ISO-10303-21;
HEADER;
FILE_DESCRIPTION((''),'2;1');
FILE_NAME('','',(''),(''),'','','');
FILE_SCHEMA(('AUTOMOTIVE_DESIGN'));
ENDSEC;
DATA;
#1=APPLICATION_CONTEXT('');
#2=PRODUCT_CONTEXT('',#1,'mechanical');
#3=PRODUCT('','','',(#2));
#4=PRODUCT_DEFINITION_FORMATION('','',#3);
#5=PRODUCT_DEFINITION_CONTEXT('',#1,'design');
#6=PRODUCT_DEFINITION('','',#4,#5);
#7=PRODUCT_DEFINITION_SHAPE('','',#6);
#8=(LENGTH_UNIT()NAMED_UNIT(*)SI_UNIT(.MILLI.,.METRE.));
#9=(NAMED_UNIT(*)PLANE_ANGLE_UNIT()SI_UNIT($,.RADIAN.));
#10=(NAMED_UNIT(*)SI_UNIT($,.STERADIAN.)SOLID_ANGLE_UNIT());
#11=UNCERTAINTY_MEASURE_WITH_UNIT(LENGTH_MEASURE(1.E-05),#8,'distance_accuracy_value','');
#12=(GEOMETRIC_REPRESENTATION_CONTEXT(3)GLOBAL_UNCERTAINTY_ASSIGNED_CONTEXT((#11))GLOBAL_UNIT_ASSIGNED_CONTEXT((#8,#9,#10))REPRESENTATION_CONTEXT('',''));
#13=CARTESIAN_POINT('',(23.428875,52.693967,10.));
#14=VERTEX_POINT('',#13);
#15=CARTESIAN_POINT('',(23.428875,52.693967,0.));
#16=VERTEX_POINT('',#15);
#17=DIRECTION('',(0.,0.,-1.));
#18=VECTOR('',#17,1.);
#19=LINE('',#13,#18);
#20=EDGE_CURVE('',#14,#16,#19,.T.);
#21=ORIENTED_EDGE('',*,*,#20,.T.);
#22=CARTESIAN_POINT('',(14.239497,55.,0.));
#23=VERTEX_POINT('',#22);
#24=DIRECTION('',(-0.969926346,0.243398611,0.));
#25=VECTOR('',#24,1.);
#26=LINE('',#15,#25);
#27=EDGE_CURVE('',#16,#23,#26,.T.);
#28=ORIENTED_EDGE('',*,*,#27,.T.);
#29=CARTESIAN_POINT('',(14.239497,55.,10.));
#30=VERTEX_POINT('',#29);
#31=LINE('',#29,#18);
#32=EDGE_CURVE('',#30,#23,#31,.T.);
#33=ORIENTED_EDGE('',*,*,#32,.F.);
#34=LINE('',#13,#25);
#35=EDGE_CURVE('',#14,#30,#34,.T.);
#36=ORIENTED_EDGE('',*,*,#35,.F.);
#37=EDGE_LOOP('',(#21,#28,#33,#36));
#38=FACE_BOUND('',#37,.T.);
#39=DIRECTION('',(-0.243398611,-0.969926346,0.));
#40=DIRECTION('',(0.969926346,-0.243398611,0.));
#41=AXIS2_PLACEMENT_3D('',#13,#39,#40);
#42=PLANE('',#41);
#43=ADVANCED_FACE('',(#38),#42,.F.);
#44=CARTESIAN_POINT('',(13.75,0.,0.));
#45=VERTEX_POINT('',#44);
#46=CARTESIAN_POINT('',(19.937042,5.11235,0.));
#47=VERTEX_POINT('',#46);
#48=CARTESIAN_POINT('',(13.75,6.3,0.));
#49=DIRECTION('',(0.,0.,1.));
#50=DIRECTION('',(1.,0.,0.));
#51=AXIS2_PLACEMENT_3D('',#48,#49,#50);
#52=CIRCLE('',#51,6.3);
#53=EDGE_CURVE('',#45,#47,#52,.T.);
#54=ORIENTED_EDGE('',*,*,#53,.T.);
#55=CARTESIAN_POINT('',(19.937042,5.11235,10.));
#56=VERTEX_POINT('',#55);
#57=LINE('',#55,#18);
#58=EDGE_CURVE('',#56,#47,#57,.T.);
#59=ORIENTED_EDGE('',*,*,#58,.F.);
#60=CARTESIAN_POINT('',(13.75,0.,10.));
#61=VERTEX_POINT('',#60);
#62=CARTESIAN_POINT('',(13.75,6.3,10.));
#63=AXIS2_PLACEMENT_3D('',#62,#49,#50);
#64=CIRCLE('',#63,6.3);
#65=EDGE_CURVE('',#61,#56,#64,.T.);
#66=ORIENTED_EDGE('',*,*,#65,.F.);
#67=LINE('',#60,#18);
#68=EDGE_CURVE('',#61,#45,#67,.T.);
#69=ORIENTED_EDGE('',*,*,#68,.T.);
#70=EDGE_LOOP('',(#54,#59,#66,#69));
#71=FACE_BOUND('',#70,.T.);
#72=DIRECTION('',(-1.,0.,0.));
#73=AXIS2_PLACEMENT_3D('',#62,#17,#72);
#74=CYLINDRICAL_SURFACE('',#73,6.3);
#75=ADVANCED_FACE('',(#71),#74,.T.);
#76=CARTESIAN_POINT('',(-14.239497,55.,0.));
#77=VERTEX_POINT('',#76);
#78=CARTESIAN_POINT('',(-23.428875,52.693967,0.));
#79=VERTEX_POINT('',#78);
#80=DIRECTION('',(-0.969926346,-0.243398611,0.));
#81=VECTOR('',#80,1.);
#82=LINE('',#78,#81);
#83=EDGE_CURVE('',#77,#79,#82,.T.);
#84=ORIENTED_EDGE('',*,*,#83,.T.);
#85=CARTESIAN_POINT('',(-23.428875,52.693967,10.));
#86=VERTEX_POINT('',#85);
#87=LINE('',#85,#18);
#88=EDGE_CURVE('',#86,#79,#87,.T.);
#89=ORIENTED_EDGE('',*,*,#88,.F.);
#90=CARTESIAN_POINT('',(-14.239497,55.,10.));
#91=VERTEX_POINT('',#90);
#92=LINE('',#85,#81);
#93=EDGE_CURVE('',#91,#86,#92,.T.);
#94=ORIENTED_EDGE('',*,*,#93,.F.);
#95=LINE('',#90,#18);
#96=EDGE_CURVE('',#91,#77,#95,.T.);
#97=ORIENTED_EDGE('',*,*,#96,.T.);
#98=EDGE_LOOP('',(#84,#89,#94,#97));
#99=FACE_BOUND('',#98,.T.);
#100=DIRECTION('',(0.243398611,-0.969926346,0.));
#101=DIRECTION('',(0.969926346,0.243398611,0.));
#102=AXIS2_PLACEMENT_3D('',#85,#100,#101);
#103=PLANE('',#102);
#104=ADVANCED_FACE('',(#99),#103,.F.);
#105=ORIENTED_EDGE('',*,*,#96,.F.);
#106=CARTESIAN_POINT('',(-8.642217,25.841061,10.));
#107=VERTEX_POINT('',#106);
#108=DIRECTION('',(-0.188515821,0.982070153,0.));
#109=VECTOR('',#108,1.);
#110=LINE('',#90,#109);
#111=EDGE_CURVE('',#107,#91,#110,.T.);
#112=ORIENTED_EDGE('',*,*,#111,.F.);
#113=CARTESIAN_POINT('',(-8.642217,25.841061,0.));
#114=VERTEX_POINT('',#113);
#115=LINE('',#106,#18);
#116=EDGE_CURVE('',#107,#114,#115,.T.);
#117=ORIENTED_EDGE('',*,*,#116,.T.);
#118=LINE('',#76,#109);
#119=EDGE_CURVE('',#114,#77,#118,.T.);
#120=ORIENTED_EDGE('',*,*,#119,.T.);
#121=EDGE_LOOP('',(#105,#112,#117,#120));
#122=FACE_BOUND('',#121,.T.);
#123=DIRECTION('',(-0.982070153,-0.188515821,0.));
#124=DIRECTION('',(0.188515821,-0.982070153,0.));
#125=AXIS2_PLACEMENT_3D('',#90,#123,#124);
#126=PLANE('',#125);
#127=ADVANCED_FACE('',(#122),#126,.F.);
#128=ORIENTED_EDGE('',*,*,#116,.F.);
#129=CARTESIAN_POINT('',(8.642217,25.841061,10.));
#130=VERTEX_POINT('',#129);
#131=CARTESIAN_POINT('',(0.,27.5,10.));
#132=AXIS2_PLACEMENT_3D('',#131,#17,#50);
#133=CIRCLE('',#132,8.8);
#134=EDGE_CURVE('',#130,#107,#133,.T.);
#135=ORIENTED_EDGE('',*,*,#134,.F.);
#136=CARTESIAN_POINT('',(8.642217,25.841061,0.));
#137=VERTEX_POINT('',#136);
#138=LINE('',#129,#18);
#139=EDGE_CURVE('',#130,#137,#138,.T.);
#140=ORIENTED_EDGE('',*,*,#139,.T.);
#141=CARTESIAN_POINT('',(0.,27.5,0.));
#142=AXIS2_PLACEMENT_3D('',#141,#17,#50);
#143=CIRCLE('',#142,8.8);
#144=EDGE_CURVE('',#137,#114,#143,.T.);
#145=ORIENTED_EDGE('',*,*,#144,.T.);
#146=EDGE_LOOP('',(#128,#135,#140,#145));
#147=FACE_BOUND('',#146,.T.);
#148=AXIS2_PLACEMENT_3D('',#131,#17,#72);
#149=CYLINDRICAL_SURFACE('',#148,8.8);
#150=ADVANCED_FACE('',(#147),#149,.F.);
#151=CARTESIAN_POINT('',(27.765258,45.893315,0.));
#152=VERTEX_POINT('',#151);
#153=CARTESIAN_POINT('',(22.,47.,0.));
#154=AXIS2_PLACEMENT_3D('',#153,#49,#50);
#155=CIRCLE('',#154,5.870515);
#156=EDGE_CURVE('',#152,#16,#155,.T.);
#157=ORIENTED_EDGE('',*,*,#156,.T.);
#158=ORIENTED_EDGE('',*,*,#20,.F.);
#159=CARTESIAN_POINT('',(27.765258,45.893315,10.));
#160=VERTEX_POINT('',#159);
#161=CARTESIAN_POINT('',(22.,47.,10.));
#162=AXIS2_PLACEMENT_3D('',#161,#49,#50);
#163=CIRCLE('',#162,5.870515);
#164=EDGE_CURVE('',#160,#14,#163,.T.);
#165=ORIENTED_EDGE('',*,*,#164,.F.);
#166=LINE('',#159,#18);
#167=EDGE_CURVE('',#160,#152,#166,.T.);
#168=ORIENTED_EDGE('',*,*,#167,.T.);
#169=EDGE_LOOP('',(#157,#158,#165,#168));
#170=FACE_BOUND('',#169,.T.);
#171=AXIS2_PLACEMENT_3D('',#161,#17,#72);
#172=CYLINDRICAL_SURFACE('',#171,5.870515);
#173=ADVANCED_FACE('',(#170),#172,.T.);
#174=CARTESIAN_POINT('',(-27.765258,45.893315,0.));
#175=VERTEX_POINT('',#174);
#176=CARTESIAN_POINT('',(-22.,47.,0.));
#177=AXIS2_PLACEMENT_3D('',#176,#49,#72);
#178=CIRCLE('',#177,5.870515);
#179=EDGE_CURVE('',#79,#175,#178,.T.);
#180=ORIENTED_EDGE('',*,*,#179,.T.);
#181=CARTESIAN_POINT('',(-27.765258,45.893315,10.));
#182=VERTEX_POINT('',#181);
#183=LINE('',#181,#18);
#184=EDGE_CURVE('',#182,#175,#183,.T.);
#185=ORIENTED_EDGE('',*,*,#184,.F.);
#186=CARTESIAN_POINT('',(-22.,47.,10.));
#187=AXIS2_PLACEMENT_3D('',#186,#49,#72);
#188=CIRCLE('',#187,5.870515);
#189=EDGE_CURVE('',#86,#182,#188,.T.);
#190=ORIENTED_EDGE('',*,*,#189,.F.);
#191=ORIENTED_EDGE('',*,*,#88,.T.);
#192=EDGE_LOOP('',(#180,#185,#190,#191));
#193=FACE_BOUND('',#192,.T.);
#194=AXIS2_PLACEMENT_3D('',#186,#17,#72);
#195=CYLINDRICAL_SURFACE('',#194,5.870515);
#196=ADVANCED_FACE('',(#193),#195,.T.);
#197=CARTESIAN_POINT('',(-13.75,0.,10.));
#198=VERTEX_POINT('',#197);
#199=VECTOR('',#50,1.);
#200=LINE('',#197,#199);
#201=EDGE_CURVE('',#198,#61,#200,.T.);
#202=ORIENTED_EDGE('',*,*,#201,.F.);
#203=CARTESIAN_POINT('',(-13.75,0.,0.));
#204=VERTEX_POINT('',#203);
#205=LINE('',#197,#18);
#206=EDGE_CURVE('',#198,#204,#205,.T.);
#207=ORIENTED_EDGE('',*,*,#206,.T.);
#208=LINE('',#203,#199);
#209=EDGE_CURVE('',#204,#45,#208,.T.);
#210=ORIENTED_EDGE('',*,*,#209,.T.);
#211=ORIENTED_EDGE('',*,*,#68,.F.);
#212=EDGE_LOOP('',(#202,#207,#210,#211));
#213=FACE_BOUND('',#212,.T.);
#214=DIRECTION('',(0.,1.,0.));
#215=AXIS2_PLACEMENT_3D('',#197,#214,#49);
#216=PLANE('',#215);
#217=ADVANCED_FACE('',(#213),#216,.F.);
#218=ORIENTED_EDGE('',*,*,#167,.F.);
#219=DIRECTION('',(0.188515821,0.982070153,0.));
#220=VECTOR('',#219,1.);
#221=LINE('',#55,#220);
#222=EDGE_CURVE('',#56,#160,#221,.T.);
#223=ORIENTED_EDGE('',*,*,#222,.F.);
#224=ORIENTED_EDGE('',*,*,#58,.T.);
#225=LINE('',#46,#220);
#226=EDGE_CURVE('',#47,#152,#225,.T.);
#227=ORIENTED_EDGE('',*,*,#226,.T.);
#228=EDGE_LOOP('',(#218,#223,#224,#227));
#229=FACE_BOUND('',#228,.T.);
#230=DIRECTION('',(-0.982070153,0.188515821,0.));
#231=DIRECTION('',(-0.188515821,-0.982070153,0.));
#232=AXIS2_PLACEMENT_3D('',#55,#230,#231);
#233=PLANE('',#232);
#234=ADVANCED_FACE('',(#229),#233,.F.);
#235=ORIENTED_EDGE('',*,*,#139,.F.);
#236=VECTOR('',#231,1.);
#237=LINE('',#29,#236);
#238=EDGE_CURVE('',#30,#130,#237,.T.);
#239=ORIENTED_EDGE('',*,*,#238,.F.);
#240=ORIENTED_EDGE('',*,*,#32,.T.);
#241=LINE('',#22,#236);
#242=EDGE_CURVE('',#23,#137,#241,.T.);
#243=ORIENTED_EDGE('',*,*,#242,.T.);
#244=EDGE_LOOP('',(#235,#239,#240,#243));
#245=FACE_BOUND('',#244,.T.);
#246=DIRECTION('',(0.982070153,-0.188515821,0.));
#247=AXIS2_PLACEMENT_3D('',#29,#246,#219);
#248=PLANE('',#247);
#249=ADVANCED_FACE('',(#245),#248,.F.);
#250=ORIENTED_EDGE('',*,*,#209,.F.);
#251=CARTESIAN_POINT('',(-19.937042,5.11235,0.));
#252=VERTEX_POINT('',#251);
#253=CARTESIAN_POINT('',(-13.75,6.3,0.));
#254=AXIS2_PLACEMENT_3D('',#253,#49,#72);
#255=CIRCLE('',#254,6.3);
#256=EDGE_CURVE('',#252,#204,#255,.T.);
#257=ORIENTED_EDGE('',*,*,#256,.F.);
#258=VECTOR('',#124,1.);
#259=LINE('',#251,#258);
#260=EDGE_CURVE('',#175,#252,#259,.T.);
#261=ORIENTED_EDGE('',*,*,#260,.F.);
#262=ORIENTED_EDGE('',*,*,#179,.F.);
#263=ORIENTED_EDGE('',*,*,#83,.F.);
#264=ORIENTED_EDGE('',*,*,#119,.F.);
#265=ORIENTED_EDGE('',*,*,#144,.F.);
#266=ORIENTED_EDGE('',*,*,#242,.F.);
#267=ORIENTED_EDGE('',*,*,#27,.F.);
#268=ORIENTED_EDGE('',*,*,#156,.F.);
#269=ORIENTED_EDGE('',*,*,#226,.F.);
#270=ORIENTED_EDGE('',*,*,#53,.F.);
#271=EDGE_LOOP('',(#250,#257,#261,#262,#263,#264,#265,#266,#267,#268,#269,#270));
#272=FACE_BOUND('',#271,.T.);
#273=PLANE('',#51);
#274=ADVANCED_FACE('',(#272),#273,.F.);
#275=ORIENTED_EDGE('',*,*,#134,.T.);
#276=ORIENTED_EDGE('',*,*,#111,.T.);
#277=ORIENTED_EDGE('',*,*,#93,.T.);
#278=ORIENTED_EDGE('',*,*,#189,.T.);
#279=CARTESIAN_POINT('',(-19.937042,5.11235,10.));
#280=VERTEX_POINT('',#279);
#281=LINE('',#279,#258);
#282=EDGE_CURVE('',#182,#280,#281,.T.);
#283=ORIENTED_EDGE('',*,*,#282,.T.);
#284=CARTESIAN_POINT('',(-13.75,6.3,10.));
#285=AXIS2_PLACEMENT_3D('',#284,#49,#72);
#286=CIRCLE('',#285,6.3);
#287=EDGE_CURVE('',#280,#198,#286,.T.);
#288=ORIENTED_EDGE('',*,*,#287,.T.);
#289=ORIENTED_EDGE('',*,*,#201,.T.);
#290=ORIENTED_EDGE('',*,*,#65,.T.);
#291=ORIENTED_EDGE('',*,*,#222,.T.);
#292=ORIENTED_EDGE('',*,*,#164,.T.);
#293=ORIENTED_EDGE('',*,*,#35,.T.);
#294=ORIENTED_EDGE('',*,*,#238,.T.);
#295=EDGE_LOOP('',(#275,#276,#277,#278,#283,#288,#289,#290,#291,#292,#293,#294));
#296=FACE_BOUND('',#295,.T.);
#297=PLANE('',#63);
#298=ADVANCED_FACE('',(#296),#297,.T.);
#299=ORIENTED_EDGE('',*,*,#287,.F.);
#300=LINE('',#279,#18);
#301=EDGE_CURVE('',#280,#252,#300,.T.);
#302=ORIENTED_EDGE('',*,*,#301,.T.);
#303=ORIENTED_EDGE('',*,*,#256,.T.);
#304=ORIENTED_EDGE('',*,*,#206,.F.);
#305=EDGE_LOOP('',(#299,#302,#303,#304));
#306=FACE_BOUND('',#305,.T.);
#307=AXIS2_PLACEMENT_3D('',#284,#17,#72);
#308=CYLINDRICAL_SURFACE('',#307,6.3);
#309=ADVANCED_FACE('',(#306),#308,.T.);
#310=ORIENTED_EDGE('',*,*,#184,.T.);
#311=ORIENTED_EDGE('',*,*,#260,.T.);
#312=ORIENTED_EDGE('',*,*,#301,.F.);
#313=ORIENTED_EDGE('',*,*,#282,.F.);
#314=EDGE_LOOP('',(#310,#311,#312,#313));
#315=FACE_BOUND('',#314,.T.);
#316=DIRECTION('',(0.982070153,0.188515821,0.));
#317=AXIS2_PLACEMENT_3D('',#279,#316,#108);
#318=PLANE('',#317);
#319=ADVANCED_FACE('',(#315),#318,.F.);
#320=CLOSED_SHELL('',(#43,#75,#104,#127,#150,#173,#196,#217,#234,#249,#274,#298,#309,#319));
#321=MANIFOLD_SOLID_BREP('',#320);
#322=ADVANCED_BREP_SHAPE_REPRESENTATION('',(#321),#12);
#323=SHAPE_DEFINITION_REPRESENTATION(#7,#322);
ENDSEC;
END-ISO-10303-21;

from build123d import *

# Parameters (mm, degrees)
SALIENTE_EXTRUIR1_DEPTH = 10


with BuildPart() as part:
    # Croquis1 → Saliente-Extruir1 (new body)
    with BuildSketch(Plane.XY):
        with BuildLine():
            Line((-13.75, 0), (13.75, 0))
            ThreePointArc((13.75, 0), (17.762966925, 1.443448089), (19.937041964, 5.11235033))
            Line((19.937041964, 5.11235033), (27.765257697, 45.893315022))
            ThreePointArc((27.765257697, 45.893315022), (26.949859086, 50.156238741), (23.428875228, 52.693967294))
            Line((23.428875228, 52.693967294), (14.23949707, 55))
            Line((14.23949707, 55), (8.642217346, 25.841060779))
            ThreePointArc((8.642217346, 25.841060779), (0, 18.7), (-8.642217346, 25.841060779))
            Line((-8.642217346, 25.841060779), (-14.23949707, 55))
            Line((-14.23949707, 55), (-23.428875228, 52.693967294))
            ThreePointArc((-23.428875228, 52.693967294), (-26.949859086, 50.156238741), (-27.765257697, 45.893315022))
            Line((-27.765257697, 45.893315022), (-19.937041964, 5.11235033))
            ThreePointArc((-19.937041964, 5.11235033), (-17.762966925, 1.443448089), (-13.75, 0))
        make_face()
    extrude(amount=SALIENTE_EXTRUIR1_DEPTH)


solid = part.part
